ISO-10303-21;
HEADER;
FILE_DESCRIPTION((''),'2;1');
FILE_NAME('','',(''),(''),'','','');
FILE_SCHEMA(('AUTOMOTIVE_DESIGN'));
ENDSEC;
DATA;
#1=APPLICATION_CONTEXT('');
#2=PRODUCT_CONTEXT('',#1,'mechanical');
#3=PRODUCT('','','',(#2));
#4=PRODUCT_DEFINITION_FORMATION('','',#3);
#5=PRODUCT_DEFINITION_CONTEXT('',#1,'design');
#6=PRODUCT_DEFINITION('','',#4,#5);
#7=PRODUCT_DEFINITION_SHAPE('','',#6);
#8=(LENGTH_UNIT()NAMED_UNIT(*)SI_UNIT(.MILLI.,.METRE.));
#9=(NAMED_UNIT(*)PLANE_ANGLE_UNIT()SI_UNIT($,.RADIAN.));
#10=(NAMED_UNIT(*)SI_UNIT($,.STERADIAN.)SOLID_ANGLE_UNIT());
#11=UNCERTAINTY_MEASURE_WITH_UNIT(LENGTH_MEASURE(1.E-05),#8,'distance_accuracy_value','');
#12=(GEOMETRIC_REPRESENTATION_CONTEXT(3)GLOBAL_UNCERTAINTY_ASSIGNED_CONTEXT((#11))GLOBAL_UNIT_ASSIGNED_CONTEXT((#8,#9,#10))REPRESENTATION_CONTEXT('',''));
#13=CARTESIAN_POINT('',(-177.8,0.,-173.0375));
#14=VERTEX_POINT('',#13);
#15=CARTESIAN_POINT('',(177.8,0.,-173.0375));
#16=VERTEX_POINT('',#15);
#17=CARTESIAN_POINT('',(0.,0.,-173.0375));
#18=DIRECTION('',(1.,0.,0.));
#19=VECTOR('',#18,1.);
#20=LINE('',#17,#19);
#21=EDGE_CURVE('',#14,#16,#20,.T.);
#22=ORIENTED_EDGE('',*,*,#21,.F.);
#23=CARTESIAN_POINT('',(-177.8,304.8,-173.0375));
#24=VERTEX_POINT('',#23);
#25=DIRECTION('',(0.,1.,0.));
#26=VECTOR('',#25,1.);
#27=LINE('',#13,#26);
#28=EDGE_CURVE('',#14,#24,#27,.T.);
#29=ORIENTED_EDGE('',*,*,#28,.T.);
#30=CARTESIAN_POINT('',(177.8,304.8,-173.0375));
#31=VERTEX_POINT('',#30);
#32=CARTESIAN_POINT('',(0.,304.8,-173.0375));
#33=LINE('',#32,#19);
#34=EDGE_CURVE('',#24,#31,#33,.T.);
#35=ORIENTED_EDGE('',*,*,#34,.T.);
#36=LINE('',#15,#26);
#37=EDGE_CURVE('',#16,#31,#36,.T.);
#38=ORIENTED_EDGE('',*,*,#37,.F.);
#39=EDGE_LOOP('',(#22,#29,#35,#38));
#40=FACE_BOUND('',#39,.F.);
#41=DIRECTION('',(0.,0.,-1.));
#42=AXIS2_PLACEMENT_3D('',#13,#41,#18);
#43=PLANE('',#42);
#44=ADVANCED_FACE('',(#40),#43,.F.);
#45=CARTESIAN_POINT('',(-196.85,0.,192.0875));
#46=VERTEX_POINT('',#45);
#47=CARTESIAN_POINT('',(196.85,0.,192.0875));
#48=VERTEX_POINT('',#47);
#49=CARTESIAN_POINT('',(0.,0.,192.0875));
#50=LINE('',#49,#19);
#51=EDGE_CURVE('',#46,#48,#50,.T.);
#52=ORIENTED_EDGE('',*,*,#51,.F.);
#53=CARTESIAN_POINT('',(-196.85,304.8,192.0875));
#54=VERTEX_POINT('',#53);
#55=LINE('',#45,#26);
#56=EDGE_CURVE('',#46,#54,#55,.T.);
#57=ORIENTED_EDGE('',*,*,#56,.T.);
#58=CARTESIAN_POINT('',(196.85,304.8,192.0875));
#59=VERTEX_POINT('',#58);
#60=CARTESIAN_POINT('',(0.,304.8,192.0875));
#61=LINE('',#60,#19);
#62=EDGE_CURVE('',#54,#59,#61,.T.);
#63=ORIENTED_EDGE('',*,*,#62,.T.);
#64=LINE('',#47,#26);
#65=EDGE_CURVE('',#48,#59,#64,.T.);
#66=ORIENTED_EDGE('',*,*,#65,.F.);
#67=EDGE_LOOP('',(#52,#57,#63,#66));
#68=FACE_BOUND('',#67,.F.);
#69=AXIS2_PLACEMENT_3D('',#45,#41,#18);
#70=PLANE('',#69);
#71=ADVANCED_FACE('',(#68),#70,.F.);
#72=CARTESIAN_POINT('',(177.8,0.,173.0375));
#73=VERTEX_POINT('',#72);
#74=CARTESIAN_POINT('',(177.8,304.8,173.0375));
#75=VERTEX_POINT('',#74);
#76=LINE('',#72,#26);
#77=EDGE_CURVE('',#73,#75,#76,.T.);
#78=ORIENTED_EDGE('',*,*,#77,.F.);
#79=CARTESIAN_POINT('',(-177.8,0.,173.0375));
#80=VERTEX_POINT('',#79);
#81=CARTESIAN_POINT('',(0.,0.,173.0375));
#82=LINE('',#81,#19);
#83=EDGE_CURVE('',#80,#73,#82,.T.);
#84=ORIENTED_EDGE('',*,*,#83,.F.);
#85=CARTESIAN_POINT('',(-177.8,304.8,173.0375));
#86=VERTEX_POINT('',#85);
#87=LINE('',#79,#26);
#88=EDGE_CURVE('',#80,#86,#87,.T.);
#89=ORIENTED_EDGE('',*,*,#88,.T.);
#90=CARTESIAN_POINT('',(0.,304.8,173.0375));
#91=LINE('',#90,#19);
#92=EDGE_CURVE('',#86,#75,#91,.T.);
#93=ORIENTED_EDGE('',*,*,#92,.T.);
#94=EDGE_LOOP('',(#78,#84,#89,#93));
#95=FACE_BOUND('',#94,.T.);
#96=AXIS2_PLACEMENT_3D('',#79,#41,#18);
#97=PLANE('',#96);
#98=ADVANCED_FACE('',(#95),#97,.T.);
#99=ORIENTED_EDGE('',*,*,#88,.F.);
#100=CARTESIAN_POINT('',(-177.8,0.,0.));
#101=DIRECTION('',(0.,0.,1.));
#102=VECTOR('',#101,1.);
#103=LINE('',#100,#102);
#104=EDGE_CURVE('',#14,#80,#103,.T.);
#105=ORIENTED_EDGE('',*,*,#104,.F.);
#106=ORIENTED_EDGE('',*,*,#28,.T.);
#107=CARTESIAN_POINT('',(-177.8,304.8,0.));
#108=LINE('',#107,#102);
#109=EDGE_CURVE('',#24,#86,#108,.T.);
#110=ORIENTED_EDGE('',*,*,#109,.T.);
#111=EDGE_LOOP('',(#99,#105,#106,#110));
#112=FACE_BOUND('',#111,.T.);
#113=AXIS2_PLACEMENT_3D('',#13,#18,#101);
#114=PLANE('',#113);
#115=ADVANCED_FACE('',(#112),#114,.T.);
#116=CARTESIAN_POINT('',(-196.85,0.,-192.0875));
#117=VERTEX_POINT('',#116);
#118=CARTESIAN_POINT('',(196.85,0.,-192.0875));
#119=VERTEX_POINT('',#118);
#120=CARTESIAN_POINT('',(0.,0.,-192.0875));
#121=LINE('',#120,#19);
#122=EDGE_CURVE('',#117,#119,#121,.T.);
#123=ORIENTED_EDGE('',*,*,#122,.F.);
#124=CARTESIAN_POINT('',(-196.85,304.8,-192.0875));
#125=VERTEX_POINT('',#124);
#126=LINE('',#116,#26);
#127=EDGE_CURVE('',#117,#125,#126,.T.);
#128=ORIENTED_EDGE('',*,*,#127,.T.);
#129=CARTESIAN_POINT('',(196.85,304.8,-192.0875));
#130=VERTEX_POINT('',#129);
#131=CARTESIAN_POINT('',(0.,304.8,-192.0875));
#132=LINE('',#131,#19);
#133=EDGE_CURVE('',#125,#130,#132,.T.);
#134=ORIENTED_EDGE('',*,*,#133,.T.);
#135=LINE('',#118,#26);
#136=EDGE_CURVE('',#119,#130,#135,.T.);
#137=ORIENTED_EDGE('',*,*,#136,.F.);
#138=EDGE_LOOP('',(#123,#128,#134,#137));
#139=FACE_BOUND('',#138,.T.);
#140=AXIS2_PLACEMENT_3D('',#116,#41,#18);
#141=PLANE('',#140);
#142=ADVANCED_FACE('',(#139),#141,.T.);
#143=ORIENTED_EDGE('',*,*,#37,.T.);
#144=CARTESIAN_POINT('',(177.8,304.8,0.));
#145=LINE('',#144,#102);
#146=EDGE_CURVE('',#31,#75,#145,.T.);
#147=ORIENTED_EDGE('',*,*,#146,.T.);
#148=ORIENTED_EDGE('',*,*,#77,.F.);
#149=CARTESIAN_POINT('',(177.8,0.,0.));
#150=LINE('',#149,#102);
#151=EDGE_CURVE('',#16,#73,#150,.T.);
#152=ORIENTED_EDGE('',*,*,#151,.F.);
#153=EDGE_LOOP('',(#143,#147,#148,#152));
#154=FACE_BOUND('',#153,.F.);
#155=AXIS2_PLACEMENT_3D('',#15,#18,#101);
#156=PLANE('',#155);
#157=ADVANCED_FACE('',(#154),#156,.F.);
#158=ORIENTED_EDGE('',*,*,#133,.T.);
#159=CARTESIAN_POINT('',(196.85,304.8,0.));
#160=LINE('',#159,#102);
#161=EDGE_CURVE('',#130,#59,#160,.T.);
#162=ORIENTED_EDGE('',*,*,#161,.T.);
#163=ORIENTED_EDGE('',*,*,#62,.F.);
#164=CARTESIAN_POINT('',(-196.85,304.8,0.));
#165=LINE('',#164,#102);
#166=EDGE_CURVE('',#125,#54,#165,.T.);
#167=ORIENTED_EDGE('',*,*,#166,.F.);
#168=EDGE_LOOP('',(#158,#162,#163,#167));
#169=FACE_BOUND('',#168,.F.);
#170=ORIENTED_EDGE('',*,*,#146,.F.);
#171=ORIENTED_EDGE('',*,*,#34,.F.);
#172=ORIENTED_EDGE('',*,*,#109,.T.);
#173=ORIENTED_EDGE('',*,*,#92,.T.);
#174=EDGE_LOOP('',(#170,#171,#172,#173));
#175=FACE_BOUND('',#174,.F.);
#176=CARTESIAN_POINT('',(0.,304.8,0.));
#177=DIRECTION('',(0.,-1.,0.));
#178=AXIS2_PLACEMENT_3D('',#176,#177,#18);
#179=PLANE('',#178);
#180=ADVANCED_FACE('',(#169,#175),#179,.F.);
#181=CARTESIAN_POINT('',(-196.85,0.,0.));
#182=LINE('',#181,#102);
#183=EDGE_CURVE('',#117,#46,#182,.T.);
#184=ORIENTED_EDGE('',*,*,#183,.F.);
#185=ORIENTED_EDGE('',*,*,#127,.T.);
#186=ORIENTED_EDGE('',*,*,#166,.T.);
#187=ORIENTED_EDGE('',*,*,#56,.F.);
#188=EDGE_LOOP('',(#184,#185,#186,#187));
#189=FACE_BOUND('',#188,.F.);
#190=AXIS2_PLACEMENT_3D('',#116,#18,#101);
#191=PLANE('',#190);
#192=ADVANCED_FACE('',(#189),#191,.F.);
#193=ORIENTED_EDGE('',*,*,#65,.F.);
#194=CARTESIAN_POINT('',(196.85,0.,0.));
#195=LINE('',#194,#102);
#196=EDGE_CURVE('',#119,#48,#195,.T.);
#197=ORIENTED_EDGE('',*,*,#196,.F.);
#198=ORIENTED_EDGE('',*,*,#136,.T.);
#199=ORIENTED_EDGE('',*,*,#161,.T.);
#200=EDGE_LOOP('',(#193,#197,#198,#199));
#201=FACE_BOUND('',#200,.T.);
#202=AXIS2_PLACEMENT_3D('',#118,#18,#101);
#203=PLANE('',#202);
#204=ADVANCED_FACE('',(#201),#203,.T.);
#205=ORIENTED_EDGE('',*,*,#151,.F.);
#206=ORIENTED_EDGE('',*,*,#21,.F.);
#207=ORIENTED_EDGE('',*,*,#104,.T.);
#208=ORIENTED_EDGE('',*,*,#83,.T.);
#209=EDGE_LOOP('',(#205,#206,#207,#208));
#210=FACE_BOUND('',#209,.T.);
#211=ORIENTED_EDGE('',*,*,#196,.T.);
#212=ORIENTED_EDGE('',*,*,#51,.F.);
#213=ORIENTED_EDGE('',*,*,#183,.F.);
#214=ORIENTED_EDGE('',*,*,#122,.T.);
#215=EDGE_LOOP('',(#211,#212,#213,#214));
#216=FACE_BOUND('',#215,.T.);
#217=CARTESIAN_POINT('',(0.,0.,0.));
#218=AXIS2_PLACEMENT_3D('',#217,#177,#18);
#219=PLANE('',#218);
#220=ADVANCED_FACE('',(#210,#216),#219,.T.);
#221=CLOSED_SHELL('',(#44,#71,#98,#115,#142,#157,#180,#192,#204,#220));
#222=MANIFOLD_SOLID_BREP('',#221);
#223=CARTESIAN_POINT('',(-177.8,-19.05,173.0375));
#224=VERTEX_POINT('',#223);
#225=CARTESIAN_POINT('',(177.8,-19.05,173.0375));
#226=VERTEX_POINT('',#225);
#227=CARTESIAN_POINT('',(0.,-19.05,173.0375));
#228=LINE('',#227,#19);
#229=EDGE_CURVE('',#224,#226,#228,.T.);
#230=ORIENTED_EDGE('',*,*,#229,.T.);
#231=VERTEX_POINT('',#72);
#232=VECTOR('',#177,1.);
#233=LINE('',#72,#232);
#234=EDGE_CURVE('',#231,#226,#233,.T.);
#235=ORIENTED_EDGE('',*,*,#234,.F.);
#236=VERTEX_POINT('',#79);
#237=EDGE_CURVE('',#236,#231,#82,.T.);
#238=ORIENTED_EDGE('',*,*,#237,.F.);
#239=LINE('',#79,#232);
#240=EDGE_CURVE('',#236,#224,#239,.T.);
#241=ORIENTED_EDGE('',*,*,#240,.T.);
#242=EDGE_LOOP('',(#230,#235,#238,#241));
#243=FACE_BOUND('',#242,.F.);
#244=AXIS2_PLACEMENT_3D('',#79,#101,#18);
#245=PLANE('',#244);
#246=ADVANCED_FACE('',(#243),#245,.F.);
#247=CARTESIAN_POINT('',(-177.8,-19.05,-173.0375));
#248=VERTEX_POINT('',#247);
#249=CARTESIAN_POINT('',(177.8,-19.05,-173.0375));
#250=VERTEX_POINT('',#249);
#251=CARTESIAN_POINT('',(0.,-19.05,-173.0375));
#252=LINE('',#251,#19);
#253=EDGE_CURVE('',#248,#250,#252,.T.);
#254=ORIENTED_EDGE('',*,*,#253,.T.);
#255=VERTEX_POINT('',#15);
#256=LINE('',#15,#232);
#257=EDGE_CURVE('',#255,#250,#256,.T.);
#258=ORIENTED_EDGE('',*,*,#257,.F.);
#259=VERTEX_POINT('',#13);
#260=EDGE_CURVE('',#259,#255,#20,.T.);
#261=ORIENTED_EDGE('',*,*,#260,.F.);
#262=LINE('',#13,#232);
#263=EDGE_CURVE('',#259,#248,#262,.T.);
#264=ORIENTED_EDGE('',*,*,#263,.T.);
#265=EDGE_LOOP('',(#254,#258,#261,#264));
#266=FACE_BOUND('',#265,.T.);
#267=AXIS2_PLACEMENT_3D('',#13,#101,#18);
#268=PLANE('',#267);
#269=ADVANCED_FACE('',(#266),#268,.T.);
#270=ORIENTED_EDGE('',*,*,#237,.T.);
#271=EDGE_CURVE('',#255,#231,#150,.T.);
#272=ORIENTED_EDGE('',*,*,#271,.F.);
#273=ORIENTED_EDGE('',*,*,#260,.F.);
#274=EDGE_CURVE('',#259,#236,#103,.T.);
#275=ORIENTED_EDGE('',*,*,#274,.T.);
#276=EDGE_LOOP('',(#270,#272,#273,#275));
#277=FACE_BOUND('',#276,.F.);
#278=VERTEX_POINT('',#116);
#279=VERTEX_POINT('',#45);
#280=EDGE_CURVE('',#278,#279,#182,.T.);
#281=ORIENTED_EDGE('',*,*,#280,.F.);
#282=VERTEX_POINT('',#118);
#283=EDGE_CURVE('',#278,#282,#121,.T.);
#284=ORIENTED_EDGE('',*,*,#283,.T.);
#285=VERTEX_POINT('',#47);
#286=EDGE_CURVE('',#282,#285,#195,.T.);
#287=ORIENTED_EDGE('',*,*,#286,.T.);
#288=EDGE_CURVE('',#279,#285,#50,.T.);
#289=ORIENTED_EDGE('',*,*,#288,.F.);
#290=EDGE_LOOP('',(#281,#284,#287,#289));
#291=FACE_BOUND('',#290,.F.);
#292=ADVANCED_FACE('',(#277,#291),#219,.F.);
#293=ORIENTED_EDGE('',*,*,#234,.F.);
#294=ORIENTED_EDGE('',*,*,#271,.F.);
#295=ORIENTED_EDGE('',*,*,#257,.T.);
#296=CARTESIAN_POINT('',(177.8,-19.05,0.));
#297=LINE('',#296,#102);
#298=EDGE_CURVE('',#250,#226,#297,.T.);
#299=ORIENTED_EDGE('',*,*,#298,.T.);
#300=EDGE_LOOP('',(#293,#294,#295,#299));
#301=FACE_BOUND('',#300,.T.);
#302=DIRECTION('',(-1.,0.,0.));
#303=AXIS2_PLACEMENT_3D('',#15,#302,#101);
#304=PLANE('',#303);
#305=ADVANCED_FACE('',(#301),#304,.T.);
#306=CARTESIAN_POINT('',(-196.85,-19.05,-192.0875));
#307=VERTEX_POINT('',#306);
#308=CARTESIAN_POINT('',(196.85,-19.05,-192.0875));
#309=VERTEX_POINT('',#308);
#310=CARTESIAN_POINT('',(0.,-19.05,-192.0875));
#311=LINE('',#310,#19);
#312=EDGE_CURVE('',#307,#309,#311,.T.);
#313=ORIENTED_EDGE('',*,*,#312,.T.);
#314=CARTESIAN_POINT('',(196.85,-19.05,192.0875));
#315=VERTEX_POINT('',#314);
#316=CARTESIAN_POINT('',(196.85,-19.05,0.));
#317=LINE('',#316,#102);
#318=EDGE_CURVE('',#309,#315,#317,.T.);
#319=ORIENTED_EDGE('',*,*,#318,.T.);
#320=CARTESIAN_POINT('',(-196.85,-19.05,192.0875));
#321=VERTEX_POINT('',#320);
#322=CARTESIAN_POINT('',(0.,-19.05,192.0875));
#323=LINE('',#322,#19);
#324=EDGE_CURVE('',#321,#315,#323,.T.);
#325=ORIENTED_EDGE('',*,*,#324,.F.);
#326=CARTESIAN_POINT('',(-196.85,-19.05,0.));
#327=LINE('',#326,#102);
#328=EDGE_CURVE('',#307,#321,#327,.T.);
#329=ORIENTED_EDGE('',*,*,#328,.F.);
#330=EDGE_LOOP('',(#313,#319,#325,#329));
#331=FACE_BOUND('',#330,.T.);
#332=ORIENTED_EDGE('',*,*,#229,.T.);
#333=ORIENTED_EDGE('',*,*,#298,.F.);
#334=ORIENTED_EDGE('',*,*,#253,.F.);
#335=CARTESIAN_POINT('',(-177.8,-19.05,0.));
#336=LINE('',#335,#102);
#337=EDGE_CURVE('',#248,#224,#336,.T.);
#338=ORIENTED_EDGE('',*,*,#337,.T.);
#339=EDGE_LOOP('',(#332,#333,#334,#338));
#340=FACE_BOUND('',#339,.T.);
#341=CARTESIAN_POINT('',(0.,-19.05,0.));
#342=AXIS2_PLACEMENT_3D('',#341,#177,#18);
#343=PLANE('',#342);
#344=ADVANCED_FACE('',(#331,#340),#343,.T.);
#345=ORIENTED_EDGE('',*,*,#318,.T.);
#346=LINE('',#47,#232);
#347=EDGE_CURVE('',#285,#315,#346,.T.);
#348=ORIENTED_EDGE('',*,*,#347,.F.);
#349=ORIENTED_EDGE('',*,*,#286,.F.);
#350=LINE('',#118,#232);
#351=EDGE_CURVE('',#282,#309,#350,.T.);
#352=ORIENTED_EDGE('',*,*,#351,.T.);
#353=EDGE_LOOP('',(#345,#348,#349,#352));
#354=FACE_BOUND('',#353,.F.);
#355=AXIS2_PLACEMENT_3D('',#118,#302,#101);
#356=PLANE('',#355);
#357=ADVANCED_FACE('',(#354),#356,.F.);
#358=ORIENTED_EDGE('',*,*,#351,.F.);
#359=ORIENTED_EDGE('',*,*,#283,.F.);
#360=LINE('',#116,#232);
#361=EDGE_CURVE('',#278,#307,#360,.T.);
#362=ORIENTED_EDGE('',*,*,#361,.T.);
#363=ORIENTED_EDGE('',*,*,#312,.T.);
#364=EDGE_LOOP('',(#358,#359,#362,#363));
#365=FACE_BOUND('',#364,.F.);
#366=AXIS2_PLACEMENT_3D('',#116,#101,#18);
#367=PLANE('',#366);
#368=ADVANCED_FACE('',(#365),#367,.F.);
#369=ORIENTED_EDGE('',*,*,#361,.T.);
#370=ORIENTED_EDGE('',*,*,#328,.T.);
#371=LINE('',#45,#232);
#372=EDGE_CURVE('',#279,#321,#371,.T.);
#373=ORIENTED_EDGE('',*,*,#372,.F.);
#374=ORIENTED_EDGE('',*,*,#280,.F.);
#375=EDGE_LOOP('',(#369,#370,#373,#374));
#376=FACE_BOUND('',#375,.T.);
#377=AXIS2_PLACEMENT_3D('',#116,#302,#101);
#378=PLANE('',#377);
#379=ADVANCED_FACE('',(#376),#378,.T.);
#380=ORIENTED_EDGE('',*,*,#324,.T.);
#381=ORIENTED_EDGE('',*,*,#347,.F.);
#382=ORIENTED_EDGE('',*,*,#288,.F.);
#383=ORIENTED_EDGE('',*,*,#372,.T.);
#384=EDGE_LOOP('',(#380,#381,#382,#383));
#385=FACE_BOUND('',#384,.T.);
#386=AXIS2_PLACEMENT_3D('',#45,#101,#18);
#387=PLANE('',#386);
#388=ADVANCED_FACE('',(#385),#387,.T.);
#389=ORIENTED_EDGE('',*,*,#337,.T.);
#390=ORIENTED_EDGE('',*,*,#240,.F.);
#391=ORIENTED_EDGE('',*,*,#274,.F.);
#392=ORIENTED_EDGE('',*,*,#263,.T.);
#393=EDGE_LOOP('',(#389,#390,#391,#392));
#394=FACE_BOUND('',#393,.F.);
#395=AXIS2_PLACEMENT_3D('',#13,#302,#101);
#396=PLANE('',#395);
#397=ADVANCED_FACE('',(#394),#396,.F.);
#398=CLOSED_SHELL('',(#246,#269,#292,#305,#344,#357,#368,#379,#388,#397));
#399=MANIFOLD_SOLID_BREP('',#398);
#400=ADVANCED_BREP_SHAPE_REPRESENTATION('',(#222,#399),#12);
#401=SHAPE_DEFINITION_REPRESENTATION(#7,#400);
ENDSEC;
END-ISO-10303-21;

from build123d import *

# Parameters (mm, degrees)
F0_W     = 393.7
F0_H     = 384.175
F0_W_2   = 355.6
F0_H_2   = 346.075
F1_DEPTH = 304.8
F2_W     = 393.7
F2_H     = 384.175
F2_W_2   = 355.6
F2_H_2   = 346.075
F3_DEPTH = 19.05


with BuildPart() as f1:
    # F0 (on Front) → F1 (new body)
    with BuildSketch(Plane.XZ):
        Rectangle(F0_W, F0_H)
        Rectangle(F0_W_2, F0_H_2, mode=Mode.SUBTRACT)
    extrude(amount=-F1_DEPTH)


with BuildPart() as f3:
    # F2 (on face) → F3 (new body)
    with BuildSketch(Plane.XZ):
        Rectangle(F2_W, F2_H)
        Rectangle(F2_W_2, F2_H_2, mode=Mode.SUBTRACT)
    extrude(amount=F3_DEPTH)


solid = Compound([f1.part, f3.part])
